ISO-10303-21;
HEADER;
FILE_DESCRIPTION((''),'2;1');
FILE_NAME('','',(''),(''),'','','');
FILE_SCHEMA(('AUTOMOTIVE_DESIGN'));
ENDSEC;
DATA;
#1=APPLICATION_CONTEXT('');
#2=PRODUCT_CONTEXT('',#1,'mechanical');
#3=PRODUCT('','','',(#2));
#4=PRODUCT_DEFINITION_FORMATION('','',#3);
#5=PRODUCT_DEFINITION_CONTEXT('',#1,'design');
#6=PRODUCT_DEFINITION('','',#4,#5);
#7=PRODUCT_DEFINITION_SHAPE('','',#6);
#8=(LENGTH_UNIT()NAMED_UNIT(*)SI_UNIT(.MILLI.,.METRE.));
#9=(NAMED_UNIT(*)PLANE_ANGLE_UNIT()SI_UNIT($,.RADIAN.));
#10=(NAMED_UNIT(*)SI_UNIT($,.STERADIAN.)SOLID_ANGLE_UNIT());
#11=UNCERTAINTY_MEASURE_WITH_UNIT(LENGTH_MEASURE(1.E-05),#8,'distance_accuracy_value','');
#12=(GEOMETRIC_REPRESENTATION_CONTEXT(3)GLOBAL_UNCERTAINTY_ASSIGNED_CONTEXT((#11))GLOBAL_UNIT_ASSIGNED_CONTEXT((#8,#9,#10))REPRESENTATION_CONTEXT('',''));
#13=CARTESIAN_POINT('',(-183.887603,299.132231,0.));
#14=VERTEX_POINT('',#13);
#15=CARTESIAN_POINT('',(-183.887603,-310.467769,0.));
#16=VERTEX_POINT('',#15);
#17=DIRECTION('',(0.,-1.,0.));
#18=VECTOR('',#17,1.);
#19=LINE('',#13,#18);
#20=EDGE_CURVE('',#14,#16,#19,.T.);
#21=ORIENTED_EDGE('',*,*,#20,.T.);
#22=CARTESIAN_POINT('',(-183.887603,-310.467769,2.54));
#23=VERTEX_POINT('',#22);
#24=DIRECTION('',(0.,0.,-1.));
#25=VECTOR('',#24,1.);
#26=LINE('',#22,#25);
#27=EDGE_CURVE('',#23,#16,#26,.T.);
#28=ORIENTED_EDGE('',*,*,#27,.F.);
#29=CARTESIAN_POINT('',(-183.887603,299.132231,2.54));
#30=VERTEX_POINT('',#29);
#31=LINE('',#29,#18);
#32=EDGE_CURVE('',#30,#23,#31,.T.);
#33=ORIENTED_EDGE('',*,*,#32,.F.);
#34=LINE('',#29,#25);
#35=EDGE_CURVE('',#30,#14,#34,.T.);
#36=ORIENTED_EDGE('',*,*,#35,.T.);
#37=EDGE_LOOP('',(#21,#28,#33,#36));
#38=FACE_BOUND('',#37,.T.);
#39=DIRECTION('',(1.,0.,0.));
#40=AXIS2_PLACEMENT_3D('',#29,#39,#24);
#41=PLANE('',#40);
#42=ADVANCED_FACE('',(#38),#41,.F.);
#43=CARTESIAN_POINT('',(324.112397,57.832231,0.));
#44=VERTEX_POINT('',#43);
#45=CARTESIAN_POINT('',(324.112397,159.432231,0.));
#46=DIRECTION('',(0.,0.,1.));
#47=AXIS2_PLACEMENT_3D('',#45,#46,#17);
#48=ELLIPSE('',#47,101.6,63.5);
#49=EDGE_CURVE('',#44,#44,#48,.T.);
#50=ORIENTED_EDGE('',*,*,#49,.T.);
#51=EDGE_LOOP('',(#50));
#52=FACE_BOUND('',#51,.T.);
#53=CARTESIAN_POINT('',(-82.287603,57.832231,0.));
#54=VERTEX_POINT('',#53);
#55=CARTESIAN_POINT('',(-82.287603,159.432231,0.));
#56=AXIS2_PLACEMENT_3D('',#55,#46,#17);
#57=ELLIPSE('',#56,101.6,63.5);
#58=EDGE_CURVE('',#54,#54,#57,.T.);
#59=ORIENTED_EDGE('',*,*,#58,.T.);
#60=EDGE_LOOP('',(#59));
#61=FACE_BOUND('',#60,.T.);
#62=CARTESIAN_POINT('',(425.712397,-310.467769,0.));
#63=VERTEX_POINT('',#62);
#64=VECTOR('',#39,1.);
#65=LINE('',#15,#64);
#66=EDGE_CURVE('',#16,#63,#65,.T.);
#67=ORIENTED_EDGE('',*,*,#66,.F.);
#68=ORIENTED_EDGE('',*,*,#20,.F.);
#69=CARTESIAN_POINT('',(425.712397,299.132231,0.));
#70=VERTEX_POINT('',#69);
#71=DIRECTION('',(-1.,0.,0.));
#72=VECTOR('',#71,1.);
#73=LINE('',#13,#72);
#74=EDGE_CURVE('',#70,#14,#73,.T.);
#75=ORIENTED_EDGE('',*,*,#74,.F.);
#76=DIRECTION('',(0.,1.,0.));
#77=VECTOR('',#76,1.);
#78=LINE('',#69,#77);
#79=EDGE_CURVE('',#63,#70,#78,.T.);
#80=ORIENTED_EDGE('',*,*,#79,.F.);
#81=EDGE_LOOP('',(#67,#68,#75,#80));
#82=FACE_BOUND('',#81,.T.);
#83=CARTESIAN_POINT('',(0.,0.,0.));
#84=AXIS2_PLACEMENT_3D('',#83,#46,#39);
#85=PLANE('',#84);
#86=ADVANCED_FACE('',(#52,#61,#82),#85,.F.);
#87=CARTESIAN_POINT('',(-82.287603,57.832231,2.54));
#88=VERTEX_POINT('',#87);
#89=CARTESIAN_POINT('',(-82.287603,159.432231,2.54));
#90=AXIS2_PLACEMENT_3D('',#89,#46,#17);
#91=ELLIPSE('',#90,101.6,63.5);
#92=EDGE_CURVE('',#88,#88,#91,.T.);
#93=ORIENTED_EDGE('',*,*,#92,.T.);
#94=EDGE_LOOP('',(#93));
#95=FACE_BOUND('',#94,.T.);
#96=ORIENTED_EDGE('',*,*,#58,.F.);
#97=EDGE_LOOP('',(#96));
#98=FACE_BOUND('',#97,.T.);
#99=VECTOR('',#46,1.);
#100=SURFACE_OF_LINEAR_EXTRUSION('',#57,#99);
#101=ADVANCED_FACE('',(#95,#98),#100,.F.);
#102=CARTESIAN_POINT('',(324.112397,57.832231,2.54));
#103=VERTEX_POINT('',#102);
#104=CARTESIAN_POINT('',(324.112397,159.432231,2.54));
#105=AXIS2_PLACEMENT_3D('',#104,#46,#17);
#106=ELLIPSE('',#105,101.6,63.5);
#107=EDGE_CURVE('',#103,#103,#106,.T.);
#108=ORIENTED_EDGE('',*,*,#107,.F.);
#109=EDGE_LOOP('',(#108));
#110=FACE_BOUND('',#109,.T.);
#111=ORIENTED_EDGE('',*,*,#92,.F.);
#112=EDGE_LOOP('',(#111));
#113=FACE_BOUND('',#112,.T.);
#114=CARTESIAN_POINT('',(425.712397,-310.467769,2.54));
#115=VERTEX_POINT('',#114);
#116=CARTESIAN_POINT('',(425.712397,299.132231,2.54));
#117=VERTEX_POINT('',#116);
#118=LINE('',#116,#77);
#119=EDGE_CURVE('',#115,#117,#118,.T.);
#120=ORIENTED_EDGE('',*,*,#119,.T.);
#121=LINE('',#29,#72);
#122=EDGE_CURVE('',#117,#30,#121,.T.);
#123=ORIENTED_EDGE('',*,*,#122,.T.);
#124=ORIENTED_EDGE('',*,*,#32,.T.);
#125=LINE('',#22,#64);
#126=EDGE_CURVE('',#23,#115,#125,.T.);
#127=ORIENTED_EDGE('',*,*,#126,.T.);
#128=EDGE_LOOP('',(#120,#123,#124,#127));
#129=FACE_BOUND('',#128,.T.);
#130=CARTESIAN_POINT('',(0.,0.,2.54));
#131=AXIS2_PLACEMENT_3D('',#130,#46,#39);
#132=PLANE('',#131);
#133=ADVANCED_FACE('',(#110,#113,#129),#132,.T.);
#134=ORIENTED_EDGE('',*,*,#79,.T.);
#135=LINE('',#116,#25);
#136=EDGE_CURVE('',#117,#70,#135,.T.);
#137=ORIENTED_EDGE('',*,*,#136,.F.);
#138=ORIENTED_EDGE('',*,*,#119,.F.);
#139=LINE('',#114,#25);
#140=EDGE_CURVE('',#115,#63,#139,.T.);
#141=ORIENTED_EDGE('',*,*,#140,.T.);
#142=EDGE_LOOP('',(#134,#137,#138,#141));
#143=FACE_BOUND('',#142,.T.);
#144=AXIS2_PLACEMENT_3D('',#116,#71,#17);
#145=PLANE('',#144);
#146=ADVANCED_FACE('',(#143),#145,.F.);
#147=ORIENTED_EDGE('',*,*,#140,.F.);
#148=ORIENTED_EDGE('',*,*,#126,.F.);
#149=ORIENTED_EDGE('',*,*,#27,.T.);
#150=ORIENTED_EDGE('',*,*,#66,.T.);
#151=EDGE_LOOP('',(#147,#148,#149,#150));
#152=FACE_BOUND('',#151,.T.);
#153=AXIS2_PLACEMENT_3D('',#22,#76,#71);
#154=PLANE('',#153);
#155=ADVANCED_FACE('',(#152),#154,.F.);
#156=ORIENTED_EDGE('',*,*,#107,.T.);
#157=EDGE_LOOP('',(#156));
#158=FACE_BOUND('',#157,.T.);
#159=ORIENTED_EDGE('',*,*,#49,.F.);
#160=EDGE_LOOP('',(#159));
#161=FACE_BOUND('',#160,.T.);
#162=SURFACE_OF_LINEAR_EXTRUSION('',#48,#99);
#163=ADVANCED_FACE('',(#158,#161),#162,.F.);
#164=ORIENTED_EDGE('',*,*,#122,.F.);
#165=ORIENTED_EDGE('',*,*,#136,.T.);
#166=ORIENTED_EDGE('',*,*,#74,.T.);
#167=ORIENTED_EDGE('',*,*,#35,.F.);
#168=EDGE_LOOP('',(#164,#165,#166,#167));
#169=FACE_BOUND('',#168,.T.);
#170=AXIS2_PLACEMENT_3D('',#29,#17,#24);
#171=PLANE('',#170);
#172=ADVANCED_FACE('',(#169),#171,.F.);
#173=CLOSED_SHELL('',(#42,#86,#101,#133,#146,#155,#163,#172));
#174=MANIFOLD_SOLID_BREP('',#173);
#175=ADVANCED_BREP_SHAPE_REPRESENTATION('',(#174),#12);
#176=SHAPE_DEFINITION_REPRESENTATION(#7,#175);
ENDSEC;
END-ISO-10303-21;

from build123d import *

# Parameters (mm, degrees)
SKETCH1_W           = 609.6
SKETCH1_H           = 609.6
BOSS_EXTRUDE1_DEPTH = 2.54
SKETCH2_RX          = 101.6
SKETCH2_RY          = 63.5
CUT_EXTRUDE1_DEPTH  = 3.54


with BuildPart() as part:
    # Sketch1 → Boss-Extrude1 (new body)
    with BuildSketch(Plane.XY):
        with Locations((120.912396694, -5.667768595)):
            Rectangle(SKETCH1_W, SKETCH1_H)
    extrude(amount=BOSS_EXTRUDE1_DEPTH)

    # Sketch2 → Cut-Extrude1 (cut, through all)
    with BuildSketch(Plane.XY.offset(2.54)):
        with Locations(Location((-82.287603306, 159.432231405), (0, 0, -90))):
            Ellipse(SKETCH2_RX, SKETCH2_RY)
        with Locations(Location((324.112396694, 159.432231405), (0, 0, -90))):
            Ellipse(SKETCH2_RX, SKETCH2_RY)
    extrude(amount=-CUT_EXTRUDE1_DEPTH, mode=Mode.SUBTRACT)


solid = part.part
